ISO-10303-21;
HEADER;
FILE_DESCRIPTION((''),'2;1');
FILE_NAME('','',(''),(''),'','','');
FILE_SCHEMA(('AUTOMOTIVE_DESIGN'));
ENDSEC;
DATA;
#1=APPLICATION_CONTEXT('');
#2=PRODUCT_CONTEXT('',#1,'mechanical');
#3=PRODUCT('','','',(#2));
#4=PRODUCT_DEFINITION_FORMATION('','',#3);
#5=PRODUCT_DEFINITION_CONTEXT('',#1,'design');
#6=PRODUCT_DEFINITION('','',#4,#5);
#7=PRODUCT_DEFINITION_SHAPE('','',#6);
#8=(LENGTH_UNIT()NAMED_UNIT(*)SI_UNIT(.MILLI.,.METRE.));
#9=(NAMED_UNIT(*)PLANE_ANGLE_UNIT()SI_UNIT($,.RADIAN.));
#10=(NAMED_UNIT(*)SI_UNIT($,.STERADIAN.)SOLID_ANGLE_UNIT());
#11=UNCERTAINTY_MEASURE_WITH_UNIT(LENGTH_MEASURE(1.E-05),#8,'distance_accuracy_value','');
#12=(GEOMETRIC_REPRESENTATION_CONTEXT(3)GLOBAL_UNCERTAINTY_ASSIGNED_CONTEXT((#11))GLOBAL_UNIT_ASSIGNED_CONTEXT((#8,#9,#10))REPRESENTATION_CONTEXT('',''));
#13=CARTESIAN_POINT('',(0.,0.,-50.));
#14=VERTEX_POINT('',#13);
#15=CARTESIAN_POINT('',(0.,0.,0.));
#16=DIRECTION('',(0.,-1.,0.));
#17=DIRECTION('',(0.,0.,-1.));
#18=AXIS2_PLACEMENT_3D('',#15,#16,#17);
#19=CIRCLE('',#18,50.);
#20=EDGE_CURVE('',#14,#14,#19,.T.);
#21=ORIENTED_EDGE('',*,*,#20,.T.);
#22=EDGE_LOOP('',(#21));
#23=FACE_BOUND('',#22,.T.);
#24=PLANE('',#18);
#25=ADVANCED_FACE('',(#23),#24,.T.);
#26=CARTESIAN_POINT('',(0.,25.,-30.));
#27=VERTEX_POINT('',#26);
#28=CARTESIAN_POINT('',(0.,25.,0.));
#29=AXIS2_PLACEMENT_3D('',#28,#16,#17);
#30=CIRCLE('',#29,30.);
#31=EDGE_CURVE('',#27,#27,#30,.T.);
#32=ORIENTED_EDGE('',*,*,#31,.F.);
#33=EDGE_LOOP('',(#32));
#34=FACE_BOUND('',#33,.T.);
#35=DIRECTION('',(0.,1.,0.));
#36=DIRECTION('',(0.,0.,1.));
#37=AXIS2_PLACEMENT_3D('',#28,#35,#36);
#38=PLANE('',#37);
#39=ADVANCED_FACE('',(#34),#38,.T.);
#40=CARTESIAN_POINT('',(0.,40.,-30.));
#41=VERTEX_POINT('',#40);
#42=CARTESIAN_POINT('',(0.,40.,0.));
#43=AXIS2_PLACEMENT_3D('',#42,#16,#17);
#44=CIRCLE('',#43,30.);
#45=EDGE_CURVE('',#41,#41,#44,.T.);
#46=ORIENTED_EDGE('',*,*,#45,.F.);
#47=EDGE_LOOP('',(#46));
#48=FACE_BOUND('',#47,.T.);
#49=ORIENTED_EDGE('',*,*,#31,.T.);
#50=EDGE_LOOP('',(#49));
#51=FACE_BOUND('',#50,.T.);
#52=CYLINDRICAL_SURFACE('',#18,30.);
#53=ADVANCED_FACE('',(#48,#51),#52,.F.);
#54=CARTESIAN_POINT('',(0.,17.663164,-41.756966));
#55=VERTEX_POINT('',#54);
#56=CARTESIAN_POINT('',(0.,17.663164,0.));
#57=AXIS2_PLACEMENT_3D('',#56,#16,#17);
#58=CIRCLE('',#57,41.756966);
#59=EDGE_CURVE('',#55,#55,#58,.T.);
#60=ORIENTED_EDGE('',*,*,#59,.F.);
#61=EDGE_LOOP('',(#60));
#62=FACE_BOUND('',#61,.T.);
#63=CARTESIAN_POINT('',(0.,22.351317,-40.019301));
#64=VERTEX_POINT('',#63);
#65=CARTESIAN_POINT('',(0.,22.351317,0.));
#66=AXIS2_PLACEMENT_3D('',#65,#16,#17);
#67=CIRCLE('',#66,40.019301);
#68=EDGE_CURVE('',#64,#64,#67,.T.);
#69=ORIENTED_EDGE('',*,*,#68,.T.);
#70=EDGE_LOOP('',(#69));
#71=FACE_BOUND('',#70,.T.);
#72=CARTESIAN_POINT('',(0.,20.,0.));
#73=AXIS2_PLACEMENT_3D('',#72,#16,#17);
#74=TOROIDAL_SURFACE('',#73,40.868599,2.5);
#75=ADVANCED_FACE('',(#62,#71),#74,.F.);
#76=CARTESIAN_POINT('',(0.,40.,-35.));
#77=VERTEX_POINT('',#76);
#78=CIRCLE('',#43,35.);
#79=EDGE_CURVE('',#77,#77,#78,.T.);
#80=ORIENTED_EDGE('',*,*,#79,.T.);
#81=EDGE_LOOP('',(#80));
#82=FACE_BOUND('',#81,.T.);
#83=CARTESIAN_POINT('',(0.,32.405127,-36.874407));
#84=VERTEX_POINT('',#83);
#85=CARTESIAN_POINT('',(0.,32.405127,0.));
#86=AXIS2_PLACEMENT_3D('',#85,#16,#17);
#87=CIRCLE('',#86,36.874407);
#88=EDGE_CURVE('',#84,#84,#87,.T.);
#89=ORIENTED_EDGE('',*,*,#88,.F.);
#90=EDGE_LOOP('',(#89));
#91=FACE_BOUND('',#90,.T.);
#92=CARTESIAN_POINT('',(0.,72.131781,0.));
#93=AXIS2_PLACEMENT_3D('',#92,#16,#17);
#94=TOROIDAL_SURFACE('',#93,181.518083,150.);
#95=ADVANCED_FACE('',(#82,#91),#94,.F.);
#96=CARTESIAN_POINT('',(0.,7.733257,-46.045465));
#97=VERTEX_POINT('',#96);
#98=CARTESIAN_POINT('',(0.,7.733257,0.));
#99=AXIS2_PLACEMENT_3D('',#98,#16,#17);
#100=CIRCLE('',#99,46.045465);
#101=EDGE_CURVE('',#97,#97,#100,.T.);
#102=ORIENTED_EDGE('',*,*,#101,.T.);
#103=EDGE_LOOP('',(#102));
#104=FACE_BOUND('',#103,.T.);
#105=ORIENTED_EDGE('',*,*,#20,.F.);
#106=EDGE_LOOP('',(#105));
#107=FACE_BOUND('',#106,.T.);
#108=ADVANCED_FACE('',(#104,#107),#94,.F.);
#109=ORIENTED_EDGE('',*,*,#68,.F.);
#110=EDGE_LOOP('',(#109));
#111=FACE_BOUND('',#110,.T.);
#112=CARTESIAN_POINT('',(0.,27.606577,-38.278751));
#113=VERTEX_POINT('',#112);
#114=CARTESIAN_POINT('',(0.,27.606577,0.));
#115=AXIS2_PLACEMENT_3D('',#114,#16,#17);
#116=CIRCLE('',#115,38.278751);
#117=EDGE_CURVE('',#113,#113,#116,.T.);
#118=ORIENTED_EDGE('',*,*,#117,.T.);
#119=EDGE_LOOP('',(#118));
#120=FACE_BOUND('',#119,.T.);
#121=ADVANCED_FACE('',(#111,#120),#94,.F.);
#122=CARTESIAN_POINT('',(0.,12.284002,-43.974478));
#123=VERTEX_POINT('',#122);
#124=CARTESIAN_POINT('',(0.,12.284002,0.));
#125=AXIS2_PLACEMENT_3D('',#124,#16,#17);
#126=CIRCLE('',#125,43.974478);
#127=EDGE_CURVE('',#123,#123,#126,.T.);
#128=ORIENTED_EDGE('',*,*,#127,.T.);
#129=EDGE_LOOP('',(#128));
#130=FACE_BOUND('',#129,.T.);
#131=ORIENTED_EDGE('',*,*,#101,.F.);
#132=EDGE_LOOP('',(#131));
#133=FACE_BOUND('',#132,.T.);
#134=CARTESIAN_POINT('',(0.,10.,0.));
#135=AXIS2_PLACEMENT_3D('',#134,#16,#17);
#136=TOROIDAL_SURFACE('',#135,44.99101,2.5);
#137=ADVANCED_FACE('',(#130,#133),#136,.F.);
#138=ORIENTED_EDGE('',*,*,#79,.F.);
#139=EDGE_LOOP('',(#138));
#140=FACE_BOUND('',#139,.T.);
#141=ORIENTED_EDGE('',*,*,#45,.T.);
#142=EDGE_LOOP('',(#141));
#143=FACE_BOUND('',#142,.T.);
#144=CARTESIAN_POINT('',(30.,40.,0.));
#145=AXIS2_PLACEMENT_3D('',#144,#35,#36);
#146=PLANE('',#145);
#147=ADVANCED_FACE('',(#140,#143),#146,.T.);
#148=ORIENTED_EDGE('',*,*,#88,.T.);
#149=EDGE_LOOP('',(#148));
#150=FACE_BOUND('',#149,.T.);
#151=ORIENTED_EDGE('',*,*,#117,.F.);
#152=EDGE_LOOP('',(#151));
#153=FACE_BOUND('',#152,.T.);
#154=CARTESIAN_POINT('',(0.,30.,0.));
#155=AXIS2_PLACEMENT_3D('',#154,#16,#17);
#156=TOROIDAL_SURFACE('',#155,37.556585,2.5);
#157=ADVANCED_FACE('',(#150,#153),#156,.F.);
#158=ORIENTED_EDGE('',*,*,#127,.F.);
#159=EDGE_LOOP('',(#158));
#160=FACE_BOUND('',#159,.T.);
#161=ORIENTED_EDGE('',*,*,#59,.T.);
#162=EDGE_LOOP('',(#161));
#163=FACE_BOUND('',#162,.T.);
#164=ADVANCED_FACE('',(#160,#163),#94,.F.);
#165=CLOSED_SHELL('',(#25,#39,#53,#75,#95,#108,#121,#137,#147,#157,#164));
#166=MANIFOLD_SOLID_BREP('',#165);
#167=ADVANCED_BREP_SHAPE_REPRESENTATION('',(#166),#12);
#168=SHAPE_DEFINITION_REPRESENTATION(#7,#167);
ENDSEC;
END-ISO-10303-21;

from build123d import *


with BuildPart() as part:
    # 스케치2 → 회전1 (revolve)
    with BuildSketch(Plane.XY):
        with BuildLine():
            Line((0, 0), (0, 25))
            Line((0, 25), (30, 25))
            Line((30, 25), (30, 40))
            Line((30, 40), (35, 40))
            ThreePointArc((35, 40), (35.887684521, 36.190342046), (36.874407276, 32.40512663))
            ThreePointArc((36.874407276, 32.40512663), (35.157226287, 29.297803648), (38.278751216, 27.606576642))
            ThreePointArc((38.278751216, 27.606576642), (39.124779602, 24.970916506), (40.019300618, 22.351317199))
            ThreePointArc((40.019300618, 22.351317199), (38.524440747, 19.131136981), (41.756966317, 17.663163851))
            ThreePointArc((41.756966317, 17.663163851), (42.839638308, 14.962829918), (43.974477938, 12.284001628))
            ThreePointArc((43.974477938, 12.284001628), (42.715558349, 8.964470315), (46.045465395, 7.733257201))
            ThreePointArc((46.045465395, 7.733257201), (47.966746919, 3.837999306), (50, 0))
            Line((50, 0), (0, 0))
        make_face()
    revolve(axis=Axis((0, 0, 0), (0, 1, 0)))


solid = part.part
